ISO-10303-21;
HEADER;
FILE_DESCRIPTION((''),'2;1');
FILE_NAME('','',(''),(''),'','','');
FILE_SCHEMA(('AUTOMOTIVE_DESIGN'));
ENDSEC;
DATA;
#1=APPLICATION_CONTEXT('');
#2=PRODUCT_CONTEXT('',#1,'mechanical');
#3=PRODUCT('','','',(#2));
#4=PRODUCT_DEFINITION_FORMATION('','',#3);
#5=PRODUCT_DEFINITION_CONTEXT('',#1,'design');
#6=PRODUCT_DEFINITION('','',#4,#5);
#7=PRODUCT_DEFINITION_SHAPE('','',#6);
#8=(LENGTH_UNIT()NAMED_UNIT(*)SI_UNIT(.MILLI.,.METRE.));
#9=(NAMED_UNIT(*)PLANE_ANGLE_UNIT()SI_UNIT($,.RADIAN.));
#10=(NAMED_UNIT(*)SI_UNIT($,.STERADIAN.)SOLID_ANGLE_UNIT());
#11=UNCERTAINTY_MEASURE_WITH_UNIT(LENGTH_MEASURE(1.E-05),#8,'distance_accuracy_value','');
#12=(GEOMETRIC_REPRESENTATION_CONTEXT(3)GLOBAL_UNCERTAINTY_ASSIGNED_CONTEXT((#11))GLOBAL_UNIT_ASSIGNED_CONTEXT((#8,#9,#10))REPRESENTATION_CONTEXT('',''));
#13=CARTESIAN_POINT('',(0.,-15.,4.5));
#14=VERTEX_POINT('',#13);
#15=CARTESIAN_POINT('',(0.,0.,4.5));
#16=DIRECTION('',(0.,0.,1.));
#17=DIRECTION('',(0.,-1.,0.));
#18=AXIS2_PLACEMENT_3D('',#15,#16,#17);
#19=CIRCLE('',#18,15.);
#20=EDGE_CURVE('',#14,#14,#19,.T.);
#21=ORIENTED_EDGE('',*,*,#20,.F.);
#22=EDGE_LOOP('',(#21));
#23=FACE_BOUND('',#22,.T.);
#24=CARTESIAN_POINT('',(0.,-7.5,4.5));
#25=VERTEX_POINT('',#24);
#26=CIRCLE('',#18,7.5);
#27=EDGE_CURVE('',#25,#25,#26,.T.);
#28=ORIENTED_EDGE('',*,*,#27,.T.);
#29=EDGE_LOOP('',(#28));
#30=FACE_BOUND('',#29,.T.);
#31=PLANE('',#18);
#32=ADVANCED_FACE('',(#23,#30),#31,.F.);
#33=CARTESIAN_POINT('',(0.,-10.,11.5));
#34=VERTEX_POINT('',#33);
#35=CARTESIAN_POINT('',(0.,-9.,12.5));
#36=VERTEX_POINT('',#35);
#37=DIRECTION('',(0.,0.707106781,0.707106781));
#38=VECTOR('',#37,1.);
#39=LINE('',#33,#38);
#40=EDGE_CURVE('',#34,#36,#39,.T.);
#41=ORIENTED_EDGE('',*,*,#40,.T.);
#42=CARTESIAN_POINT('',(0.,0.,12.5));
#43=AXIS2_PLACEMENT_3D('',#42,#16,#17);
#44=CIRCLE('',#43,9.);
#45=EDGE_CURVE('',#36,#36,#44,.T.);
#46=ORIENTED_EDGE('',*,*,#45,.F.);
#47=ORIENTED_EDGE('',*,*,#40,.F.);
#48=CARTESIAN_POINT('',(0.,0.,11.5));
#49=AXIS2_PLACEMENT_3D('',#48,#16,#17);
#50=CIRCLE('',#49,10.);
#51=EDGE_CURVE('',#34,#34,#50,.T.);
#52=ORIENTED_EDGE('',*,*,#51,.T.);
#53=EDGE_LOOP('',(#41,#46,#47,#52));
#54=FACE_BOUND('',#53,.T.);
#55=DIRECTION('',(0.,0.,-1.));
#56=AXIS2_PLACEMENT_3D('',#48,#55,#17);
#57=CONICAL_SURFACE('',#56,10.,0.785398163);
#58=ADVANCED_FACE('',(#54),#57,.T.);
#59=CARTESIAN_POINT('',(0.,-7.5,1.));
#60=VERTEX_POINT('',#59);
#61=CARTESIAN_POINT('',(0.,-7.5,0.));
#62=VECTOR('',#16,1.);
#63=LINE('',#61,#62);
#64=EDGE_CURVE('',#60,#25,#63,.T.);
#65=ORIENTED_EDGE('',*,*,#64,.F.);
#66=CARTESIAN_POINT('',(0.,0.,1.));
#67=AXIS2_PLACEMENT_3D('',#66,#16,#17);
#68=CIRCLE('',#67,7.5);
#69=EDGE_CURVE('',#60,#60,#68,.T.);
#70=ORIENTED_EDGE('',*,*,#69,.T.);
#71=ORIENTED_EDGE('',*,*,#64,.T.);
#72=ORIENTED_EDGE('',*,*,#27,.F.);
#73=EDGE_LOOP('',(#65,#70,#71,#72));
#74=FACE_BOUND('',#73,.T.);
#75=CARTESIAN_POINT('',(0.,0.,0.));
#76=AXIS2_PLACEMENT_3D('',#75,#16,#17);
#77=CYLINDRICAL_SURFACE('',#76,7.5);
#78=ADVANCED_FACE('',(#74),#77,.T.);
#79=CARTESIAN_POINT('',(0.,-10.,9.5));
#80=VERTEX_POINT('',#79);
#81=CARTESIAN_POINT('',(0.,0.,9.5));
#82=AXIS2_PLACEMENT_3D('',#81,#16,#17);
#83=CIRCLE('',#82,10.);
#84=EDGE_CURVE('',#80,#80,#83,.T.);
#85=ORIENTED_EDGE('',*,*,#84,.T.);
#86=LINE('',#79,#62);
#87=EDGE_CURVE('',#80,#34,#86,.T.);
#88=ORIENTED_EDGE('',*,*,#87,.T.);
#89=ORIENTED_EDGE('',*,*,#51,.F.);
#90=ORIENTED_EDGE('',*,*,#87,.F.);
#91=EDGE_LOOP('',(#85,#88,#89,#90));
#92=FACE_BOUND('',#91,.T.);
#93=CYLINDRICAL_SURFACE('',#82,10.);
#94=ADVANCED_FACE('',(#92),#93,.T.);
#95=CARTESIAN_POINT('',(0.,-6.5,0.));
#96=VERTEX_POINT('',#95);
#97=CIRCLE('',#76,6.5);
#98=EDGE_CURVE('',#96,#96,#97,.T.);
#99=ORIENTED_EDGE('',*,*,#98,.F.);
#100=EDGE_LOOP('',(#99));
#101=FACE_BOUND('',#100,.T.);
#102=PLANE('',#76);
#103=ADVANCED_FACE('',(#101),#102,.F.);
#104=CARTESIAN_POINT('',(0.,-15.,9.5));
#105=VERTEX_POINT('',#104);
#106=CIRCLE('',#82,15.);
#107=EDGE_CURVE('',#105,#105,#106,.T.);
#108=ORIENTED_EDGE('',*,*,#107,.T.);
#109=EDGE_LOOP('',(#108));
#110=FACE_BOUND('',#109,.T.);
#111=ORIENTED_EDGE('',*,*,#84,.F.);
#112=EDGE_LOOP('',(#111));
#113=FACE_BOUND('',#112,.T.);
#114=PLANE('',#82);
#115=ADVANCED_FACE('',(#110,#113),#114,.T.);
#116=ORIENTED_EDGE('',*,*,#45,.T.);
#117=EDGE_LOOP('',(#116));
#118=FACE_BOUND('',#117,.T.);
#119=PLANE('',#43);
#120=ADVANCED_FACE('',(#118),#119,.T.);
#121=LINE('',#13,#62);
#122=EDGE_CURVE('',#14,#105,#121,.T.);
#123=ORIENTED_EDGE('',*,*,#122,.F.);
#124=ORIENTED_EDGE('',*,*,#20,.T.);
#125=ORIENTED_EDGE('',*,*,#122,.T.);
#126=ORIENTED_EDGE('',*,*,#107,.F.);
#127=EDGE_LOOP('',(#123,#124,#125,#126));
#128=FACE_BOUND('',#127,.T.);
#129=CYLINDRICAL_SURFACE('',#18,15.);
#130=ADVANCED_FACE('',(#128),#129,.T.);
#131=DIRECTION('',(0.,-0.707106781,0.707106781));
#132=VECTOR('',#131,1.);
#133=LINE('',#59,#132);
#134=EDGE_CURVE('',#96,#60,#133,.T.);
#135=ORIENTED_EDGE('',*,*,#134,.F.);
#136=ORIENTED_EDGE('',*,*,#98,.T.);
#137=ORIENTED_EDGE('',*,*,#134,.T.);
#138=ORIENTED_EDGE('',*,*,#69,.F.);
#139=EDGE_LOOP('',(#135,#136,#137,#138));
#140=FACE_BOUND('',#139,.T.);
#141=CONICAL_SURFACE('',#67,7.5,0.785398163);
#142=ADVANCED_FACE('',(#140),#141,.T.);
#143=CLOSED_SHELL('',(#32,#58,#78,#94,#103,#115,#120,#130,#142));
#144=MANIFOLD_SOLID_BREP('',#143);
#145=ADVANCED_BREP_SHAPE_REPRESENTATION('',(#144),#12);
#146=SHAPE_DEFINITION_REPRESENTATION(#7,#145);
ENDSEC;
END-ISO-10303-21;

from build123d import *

# Parameters (mm, degrees)
CHAMFER_SIZE = 1


with BuildPart() as part:
    # Sketch_1 → Revolution (revolve)
    with BuildSketch(Plane.YZ):
        Polygon((0, 0), (-7.5, 0), (-7.5, 4.5), (-15, 4.5), (-15, 9.5), (-10, 9.5), (-10, 12.5), (0, 12.5), align=None)
    revolve(axis=Axis((0, 0, 0), (0, 0, 1)))

    # Chamfer
    chamfer_edges = [part.edges().sort_by_distance(p)[0] for p in [
        (0, 7.5, 0),
        (0, 10, 12.5),
    ]]
    chamfer(chamfer_edges, length=CHAMFER_SIZE)


solid = part.part
